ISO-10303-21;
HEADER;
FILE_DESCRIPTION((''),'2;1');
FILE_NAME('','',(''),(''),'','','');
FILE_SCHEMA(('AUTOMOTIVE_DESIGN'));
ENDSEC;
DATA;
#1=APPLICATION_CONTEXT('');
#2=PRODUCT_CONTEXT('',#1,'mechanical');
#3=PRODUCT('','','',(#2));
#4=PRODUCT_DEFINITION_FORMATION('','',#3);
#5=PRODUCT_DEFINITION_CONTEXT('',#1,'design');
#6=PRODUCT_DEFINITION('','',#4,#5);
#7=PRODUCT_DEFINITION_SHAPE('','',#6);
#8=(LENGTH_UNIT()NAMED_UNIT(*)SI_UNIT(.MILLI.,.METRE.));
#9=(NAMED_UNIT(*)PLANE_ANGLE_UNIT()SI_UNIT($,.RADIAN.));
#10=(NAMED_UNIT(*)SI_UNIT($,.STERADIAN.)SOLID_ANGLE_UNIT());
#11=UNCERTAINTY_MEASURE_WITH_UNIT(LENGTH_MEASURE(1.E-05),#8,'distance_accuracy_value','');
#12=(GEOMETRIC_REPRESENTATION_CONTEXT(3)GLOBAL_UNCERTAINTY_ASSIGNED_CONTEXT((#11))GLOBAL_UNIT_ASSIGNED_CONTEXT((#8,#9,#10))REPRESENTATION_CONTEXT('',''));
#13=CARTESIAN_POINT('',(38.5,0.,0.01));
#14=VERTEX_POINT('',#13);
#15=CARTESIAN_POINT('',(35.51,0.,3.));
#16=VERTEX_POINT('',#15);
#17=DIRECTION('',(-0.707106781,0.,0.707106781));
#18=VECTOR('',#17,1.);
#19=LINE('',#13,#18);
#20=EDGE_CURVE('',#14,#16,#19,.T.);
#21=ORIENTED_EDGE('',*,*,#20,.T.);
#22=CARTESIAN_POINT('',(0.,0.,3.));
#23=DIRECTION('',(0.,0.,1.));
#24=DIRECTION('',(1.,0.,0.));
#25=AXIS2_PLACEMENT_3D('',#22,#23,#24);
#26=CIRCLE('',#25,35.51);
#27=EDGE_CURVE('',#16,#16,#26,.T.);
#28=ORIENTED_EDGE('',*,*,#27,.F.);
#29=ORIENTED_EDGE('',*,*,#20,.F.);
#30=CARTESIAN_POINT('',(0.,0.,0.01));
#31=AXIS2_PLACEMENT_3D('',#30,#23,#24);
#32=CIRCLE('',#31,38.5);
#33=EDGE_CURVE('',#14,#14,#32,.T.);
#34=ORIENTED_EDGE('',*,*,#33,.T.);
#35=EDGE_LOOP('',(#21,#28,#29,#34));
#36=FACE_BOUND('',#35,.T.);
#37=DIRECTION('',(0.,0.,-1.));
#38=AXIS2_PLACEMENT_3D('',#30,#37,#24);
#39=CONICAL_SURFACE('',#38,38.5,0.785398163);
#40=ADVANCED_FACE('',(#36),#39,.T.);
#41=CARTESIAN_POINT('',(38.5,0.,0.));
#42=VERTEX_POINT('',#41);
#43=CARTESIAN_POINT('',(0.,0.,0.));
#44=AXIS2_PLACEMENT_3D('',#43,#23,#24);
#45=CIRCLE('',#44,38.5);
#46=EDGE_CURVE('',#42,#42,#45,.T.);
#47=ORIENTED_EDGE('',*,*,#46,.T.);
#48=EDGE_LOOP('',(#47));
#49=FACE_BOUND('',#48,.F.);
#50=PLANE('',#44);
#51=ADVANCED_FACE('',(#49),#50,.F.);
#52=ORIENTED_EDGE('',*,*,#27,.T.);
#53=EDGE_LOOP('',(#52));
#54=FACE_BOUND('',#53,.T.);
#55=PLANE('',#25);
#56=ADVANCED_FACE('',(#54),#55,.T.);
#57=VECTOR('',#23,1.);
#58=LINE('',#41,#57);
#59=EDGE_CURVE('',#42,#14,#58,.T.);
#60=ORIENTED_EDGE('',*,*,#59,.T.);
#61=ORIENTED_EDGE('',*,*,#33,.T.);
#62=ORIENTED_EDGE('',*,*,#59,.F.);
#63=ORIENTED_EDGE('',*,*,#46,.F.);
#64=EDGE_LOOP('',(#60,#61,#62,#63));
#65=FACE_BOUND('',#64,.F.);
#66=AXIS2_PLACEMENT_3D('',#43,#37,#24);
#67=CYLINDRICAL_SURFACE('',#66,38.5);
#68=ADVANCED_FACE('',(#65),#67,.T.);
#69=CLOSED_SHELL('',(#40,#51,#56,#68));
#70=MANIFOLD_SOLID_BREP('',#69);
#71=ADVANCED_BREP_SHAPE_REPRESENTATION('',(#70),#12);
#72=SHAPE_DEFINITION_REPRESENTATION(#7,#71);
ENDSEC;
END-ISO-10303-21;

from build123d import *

# Parameters (mm, degrees)
SKETCH_R     = 38.5
PAD_DEPTH    = 3
CHAMFER_SIZE = 2.99


with BuildPart() as part:
    # Sketch → Pad (new body)
    with BuildSketch(Plane.XY):
        Circle(SKETCH_R)
    extrude(amount=PAD_DEPTH)

    # Chamfer
    chamfer_edges = [part.edges().sort_by_distance(p)[0] for p in [
        (-38.5, 0, 3),
    ]]
    chamfer(chamfer_edges, length=CHAMFER_SIZE)


solid = part.part
